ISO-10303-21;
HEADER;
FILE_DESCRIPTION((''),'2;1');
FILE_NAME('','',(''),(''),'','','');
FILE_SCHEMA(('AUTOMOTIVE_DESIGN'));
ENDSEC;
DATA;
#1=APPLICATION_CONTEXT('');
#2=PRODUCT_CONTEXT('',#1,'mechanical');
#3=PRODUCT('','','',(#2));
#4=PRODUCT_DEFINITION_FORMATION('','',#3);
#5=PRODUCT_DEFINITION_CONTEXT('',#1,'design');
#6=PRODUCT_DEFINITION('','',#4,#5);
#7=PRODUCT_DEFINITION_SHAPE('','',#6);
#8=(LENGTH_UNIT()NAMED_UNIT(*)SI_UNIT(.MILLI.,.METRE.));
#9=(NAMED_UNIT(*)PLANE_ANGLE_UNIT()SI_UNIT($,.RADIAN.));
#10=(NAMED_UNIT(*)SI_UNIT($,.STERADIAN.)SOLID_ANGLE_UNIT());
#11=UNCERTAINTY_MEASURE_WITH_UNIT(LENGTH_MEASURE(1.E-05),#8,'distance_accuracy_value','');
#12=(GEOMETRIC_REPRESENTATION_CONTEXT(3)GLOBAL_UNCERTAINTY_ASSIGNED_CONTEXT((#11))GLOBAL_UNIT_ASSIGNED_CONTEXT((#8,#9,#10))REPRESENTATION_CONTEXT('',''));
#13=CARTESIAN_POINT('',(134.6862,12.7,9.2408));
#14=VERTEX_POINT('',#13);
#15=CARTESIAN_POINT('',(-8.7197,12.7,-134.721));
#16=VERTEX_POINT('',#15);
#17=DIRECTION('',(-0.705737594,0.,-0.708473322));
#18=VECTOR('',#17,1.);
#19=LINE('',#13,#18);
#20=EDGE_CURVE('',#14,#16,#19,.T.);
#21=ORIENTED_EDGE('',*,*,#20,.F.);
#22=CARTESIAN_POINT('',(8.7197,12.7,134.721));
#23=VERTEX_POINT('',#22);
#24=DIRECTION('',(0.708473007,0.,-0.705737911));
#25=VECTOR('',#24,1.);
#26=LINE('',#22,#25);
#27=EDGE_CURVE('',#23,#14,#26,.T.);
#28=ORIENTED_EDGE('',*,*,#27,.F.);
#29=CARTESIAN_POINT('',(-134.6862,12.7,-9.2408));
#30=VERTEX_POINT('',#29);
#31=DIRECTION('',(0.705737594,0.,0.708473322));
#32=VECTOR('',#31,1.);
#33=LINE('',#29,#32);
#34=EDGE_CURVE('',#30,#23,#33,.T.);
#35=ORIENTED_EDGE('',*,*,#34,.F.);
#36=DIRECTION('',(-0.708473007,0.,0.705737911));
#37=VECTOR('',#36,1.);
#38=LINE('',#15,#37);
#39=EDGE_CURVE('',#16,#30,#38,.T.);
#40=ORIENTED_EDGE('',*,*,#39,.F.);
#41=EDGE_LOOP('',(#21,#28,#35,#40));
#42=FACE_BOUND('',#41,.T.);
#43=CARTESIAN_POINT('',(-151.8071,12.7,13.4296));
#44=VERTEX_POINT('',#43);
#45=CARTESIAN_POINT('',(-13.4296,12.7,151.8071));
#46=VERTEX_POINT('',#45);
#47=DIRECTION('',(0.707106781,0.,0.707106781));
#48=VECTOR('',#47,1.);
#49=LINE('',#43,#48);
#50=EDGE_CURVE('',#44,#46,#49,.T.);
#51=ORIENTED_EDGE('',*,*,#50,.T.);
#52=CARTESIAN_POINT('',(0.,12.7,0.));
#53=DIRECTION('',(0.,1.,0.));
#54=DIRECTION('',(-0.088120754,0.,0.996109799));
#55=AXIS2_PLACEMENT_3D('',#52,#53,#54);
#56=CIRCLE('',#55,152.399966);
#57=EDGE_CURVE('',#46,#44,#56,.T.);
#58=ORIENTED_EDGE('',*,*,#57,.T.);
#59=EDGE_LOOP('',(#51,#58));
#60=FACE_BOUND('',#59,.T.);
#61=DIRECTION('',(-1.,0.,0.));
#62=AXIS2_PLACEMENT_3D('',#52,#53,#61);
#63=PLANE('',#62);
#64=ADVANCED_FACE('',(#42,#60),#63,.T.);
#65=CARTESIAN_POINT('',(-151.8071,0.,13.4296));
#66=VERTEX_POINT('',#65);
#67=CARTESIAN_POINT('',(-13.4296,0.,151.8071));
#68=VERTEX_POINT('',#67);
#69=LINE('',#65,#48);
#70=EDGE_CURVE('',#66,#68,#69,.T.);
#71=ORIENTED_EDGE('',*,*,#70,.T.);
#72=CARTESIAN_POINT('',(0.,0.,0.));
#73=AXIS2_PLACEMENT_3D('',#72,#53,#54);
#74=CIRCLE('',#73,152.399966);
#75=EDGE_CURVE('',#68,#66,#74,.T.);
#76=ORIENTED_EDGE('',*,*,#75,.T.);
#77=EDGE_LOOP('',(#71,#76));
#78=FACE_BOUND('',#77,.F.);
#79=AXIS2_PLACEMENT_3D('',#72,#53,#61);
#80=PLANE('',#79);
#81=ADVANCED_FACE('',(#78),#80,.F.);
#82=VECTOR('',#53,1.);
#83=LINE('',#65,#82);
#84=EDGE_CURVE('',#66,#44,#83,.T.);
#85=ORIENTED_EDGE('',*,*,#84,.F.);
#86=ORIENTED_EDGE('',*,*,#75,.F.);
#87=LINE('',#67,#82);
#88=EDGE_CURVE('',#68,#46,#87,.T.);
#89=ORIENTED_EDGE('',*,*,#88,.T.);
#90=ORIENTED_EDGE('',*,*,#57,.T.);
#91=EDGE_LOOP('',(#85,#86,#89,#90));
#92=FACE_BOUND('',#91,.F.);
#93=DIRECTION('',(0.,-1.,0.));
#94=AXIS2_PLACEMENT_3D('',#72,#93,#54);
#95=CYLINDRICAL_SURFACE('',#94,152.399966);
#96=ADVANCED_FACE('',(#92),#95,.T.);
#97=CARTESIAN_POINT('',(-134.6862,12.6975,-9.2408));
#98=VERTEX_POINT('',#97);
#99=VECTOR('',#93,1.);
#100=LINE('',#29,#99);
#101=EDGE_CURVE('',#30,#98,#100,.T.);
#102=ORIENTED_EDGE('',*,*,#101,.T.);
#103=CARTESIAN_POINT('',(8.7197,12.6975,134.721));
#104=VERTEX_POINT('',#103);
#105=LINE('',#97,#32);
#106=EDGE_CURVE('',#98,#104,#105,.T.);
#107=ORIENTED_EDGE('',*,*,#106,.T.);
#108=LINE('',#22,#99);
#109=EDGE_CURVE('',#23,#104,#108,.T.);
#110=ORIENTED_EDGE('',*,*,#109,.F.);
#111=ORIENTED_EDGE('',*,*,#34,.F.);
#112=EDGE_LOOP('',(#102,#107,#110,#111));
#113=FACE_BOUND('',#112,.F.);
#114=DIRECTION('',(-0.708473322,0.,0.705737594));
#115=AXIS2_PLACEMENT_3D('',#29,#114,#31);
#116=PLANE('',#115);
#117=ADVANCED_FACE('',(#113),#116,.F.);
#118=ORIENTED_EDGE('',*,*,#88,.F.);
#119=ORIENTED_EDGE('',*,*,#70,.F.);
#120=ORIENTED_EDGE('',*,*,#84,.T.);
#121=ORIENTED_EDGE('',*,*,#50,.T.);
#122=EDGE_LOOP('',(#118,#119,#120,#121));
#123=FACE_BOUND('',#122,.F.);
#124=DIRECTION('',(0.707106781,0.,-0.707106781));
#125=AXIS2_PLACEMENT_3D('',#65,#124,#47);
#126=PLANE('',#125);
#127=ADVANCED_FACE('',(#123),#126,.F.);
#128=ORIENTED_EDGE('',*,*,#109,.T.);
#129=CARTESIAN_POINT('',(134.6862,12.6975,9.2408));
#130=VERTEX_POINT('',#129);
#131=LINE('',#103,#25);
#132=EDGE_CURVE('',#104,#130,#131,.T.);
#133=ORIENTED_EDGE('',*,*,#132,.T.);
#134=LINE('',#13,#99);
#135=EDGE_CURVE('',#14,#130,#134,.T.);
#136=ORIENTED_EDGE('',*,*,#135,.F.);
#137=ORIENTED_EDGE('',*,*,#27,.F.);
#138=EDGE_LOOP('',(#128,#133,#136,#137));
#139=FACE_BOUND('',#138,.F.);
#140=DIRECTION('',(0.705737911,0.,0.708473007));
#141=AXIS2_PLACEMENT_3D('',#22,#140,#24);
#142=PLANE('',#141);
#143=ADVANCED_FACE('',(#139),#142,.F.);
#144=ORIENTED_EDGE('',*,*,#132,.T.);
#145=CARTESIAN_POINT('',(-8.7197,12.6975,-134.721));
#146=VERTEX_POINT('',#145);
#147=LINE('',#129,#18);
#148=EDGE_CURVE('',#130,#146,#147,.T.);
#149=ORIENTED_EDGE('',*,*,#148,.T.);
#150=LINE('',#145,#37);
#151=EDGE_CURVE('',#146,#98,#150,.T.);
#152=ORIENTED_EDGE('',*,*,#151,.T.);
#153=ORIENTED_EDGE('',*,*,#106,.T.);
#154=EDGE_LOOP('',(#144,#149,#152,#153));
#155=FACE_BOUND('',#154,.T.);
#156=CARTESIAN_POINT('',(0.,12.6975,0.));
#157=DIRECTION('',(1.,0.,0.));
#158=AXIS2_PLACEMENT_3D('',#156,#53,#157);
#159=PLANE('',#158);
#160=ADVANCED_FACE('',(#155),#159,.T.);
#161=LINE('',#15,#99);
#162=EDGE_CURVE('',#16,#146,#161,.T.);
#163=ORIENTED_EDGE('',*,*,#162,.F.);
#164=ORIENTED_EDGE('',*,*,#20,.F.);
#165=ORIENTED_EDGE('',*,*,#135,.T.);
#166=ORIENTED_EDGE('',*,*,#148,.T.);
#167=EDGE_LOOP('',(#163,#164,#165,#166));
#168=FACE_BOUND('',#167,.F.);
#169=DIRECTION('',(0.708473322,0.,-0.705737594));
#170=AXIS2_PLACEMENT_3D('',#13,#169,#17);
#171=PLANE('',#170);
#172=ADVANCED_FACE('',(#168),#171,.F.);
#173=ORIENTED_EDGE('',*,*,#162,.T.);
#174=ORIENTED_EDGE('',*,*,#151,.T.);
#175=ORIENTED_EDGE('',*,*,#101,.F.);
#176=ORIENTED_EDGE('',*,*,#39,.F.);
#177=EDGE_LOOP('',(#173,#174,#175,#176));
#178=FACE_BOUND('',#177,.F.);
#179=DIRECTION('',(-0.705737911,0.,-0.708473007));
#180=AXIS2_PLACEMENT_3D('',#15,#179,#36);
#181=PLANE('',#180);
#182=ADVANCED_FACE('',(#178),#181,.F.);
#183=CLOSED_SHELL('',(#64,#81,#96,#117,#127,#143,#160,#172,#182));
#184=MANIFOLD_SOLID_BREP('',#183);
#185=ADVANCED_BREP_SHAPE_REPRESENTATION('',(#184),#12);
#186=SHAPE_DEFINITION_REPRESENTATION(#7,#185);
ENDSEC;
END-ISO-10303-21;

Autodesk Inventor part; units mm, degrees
ref_plane "YZ Plane" through (0, 0, 0) normal (1, 0, 0) x (0, 1, 0)
ref_plane "XZ Plane" through (0, 0, 0) normal (0, 1, 0) x (-1, 0, 0)
ref_plane "XY Plane" through (0, 0, 0) normal (0, 0, 1) x (1, 0, 0)
sketch "Sketch1" plane through (0, 0, 0) normal (0, 1, 0) x (-1, 0, 0)
  arc A0 (13.4296, 151.8071) -> (151.8071, 13.4296) centre (0, 0) ccw
  line L0 (151.8071, 13.4296) -> (13.4296, 151.8071)
  dimension "d0" = 304.8
  dimension "d1" = 116.84
extrude "Extrusion1" add sketch "Sketch1" along normal blind 12.7
sketch "Sketch2" plane through (0, 12.7, 0) normal (0, 1, 0) x (1, 0, 0)
  line L0 (-134.6862, 9.2408) -> (8.7197, -134.721)
  line L1 (8.7197, -134.721) -> (134.6862, -9.2408)
  line L2 (134.6862, -9.2408) -> (-8.7197, 134.721)
  line L3 (-8.7197, 134.721) -> (-134.6862, 9.2408)
  point P0 (0, 0)
  dimension "d4" = 203.2
  dimension "d5" = 177.8
  dimension "d6" = 88.9
  dimension "d7" = 101.6
extrude "Extrusion4" cut sketch "Sketch2" against normal blind 0.0025
equation "\"d6\" = 0.5 * d5"
equation "\"d7\" = 0.5 * d4"
properties part number "RockSat Plate"
